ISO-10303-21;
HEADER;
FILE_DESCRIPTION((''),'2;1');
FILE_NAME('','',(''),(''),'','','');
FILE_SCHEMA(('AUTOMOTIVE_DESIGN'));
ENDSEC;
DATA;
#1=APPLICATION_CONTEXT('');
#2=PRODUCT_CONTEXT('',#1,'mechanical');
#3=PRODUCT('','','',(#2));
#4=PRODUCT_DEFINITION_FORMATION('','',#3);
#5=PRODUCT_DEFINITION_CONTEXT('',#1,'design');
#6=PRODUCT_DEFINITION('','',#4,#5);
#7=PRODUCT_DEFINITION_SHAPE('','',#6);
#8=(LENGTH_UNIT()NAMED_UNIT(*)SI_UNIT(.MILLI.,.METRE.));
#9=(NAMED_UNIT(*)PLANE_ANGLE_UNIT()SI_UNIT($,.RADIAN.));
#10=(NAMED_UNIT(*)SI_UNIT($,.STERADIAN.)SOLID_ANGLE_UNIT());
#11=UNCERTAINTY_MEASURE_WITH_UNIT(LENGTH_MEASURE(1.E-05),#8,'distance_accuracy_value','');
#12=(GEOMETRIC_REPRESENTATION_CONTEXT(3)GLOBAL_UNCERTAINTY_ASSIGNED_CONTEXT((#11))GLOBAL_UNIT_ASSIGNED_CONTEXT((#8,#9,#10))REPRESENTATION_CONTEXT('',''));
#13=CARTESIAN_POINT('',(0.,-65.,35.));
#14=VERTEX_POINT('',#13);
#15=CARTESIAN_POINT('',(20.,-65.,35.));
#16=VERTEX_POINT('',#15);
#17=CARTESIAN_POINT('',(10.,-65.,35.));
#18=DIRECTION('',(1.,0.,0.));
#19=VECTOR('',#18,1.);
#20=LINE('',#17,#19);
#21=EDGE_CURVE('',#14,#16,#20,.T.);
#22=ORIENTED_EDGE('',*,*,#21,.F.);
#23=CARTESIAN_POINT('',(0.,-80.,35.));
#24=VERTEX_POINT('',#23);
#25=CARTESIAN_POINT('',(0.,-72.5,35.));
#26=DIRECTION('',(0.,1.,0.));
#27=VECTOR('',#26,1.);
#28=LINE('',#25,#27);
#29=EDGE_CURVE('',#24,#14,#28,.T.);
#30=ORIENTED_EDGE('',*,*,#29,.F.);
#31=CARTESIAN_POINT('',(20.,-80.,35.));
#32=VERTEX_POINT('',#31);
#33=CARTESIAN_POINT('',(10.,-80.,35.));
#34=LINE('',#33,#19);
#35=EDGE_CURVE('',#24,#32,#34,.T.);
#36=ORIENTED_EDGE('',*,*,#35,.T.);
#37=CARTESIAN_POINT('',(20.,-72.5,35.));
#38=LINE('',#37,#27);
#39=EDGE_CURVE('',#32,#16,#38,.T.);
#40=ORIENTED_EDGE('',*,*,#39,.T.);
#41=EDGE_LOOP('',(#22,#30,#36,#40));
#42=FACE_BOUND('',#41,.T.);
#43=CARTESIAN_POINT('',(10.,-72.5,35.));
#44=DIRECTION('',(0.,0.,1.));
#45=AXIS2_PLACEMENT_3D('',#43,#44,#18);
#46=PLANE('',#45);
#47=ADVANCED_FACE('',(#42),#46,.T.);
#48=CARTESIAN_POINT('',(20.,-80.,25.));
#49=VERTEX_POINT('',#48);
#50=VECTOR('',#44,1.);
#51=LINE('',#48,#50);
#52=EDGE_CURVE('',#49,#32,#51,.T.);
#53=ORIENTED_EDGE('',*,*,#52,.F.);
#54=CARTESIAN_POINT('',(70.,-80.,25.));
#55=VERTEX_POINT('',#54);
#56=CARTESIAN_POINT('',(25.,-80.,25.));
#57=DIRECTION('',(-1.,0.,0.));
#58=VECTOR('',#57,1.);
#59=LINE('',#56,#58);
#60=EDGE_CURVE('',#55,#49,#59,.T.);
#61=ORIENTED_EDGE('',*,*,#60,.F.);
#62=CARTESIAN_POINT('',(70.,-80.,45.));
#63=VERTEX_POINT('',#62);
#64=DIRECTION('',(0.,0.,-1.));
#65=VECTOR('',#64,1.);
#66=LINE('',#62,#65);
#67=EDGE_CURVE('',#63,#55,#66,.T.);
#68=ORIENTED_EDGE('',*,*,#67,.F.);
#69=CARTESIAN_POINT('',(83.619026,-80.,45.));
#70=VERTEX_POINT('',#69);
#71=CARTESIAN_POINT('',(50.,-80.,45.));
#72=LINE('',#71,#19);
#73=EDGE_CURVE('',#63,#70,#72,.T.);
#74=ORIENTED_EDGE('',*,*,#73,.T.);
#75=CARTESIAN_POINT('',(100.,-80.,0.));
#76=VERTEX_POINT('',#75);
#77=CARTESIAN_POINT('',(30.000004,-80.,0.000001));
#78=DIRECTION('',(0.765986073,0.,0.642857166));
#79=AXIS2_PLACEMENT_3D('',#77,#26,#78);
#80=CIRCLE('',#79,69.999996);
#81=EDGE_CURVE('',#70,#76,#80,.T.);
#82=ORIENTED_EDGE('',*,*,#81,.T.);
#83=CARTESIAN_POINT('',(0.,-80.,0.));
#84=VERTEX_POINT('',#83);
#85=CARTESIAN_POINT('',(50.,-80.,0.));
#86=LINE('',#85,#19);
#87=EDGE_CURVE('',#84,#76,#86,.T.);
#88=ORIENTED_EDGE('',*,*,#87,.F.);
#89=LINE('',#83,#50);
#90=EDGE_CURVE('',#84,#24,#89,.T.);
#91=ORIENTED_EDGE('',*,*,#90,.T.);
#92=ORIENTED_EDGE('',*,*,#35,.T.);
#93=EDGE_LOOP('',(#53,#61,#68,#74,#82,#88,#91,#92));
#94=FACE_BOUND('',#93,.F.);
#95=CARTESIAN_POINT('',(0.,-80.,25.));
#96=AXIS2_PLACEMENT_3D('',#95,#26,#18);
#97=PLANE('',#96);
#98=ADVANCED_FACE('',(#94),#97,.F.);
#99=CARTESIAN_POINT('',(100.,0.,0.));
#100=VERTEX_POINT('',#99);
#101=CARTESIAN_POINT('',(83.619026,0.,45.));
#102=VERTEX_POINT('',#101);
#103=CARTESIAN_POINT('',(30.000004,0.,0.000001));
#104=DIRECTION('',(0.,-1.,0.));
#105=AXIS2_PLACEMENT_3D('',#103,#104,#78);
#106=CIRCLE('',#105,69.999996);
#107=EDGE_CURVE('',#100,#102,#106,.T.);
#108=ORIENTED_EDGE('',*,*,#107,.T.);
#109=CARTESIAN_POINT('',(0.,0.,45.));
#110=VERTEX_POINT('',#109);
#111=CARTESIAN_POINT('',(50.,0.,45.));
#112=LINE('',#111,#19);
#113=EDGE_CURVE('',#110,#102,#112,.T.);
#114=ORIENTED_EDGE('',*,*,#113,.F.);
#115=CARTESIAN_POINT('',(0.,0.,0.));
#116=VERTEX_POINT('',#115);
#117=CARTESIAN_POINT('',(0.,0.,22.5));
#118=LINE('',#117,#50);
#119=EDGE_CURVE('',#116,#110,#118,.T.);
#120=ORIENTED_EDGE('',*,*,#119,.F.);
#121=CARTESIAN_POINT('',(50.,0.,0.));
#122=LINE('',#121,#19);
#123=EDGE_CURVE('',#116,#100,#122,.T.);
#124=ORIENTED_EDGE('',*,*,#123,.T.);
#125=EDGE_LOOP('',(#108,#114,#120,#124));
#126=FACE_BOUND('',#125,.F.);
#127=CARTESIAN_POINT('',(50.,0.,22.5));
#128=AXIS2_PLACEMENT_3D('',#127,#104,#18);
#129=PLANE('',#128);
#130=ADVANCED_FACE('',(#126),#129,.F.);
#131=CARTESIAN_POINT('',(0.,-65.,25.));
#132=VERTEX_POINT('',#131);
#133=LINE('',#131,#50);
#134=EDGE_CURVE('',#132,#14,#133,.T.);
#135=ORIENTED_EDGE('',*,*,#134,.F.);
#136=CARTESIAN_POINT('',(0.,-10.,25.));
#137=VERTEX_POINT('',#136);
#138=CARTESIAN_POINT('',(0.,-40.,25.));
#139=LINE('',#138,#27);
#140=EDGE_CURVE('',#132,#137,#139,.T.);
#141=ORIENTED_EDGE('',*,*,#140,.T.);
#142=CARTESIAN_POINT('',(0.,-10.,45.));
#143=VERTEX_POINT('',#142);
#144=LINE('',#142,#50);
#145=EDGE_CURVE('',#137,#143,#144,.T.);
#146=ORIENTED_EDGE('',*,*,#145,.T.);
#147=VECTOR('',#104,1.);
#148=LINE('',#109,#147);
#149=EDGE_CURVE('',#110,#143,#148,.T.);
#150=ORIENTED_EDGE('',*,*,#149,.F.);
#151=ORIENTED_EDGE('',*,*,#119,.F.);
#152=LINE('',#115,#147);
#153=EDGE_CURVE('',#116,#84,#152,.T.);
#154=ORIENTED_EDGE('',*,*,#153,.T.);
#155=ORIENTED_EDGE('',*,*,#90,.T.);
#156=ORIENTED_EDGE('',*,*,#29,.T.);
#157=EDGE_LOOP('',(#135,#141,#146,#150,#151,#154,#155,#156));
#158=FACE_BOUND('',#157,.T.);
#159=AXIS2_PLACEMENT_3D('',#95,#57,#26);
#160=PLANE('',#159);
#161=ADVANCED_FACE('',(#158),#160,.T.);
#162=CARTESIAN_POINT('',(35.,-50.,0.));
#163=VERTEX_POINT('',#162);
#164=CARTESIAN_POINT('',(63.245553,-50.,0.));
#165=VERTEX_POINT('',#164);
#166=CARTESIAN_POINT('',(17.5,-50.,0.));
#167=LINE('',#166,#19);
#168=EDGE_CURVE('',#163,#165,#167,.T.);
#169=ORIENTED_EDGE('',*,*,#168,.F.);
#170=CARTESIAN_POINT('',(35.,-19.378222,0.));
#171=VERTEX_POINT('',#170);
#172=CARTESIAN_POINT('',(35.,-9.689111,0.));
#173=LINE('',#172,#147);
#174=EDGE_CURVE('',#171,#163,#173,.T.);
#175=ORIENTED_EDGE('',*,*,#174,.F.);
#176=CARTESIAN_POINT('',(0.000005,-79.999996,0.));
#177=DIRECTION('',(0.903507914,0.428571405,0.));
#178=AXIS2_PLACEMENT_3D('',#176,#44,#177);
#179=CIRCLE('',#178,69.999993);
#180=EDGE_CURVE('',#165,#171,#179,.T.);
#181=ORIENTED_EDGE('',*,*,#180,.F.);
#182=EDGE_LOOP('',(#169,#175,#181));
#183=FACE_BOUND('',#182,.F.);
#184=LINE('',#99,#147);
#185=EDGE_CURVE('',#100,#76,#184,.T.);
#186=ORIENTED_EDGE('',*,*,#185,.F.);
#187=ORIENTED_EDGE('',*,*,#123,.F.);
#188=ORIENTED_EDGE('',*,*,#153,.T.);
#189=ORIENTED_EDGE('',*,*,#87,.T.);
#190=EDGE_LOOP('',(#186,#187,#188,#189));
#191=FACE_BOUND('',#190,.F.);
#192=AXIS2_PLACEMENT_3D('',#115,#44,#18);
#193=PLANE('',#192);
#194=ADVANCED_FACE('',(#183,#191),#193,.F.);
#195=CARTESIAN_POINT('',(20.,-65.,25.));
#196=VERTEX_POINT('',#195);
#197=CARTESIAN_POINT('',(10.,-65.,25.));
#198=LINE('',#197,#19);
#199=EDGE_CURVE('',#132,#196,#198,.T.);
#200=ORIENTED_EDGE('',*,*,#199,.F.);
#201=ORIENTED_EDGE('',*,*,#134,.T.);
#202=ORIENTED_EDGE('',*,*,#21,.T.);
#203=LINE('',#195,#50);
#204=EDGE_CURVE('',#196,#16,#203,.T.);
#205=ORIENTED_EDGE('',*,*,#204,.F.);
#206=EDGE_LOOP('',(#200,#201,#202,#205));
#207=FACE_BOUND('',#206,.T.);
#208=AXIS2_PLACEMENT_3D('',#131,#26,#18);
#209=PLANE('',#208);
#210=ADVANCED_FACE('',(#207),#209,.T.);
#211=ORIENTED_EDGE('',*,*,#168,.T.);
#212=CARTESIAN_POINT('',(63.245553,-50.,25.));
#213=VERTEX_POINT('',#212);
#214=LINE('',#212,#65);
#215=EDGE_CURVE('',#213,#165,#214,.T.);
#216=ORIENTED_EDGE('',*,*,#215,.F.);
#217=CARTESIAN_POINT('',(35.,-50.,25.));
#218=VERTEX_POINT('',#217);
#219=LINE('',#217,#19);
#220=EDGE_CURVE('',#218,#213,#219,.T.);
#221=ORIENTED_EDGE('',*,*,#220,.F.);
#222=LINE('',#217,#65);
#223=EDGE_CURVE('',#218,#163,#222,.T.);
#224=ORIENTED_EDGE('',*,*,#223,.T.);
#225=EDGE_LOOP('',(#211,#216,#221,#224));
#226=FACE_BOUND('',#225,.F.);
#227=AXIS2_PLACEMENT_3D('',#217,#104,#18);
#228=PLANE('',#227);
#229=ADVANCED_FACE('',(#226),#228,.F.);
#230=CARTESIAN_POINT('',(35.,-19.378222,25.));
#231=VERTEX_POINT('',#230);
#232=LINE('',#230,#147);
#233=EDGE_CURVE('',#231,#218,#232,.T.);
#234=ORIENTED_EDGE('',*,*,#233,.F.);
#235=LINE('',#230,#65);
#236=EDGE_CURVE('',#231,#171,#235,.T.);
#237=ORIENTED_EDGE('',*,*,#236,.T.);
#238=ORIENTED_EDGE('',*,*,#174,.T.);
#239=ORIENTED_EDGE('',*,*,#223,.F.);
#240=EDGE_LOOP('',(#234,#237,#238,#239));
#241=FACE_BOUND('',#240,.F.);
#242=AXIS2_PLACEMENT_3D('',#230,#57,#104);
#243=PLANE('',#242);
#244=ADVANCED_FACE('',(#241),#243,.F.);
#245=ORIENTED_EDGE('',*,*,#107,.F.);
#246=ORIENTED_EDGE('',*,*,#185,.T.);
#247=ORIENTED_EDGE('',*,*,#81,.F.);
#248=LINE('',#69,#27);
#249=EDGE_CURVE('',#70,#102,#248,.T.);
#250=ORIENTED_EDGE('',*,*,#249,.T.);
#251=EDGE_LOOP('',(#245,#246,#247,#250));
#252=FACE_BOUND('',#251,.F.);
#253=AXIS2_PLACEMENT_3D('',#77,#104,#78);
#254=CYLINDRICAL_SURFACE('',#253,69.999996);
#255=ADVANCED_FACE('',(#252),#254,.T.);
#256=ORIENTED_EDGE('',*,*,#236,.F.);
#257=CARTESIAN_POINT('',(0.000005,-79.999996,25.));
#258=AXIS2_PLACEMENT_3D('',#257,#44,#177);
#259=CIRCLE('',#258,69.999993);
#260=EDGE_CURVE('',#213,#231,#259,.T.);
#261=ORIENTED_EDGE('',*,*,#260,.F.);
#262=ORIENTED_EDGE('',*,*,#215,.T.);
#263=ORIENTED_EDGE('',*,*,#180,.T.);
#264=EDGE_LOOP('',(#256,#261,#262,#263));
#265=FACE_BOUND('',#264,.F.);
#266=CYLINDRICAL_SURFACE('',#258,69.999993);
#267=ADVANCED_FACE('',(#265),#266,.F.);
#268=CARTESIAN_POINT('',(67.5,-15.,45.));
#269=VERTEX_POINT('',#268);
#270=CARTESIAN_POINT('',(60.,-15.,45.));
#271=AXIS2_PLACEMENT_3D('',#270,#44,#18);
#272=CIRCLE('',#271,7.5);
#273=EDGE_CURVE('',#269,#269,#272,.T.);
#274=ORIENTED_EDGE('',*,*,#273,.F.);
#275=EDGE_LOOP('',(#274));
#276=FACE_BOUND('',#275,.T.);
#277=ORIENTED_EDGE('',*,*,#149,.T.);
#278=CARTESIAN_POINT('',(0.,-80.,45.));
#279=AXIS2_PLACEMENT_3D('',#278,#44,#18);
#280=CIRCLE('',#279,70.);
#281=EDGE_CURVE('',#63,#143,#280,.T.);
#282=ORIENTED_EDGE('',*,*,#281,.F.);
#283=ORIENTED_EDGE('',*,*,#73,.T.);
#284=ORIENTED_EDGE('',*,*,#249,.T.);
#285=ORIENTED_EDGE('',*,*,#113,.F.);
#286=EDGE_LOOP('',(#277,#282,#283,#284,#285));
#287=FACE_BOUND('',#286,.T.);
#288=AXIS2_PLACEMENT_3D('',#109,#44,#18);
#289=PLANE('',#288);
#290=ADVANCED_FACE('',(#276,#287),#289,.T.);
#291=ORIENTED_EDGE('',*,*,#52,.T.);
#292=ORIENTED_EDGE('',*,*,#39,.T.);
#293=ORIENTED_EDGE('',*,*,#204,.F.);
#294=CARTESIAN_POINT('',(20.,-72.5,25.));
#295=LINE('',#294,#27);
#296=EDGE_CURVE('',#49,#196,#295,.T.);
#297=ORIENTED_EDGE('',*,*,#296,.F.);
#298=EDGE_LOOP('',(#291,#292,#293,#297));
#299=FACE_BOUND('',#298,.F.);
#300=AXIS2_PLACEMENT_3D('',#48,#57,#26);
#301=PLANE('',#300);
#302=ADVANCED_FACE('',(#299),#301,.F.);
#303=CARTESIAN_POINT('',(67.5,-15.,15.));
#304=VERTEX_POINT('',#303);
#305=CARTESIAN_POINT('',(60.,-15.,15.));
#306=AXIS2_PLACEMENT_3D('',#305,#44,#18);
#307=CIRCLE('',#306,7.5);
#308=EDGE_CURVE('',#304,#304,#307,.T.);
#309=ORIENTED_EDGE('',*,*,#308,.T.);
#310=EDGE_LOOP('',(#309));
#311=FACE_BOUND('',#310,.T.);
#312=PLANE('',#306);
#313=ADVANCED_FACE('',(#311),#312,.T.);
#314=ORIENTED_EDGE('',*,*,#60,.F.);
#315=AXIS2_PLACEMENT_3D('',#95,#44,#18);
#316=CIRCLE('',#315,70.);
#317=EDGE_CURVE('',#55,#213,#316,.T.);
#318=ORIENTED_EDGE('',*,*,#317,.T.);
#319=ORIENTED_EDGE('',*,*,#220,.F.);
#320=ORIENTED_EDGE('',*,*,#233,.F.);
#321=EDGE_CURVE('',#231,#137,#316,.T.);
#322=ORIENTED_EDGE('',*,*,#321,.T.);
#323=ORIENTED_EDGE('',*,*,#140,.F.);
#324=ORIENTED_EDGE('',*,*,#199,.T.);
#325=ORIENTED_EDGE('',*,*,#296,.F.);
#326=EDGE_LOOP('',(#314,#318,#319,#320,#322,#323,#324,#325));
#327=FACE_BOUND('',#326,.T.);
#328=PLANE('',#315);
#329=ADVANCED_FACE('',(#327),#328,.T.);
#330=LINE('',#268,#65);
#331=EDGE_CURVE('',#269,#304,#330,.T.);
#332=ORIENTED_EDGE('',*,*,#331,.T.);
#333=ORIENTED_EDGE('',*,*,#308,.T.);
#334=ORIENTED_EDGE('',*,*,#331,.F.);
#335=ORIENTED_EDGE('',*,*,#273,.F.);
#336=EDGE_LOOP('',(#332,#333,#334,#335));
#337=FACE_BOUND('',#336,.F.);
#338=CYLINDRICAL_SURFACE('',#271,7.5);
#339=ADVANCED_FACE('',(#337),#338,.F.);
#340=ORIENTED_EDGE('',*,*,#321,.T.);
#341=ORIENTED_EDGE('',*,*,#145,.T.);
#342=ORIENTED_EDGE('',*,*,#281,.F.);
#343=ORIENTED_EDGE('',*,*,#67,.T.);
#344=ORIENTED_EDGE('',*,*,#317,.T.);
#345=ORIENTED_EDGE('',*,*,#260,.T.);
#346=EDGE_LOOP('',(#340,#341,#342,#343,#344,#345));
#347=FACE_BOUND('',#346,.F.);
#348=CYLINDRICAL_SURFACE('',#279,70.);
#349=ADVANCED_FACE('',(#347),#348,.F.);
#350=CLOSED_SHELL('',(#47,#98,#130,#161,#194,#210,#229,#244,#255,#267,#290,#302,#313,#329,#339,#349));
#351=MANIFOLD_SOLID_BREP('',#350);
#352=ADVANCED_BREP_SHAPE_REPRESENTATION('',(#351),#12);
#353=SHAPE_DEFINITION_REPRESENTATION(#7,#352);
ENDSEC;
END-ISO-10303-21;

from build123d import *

# Parameters (mm, degrees)
F0_W      = 100
F0_H      = 45
F1_DEPTH  = 80
F2_R      = 70
F3_DEPTH  = 20
F5_DEPTH  = 25.001
F6_W      = 20
F6_H      = 15
F7_DEPTH  = 10
F8_R      = 7.5
F9_DEPTH  = 30
F11_DEPTH = 80.001


with BuildPart() as f1:
    # F0 (on Front) → F1 (new body)
    with BuildSketch(Plane.XZ):
        with Locations((50, 22.5)):
            Rectangle(F0_W, F0_H)
    extrude(amount=F1_DEPTH)

    # F2 (on face) → F3 (cut)
    with BuildSketch(Plane.XY.offset(45)):
        with Locations((0, -80)):
            Circle(F2_R)
    extrude(amount=-F3_DEPTH, mode=Mode.SUBTRACT)

    # F4 (on face) → F5 (cut, through all)
    with BuildSketch(Plane.XY.offset(25)):
        with BuildLine():
            ThreePointArc((63.245553, -50), (51.453576, -32.539179), (35, -19.378222))
            Line((35, -19.378222), (35, -50))
            Line((35, -50), (63.245553, -50))
        make_face()
    extrude(amount=-F5_DEPTH, mode=Mode.SUBTRACT)

    # F6 (on face) → F7 (join)
    with BuildSketch(Plane.XY.offset(25)):
        with Locations((10, -72.5)):
            Rectangle(F6_W, F6_H)
    extrude(amount=F7_DEPTH)

    # F8 (on face) → F9 (cut)
    with BuildSketch(Plane.XY.offset(45)):
        with Locations((60, -15)):
            Circle(F8_R)
    extrude(amount=-F9_DEPTH, mode=Mode.SUBTRACT)

    # F10 (on face) → F11 (cut, through all)
    with BuildSketch(Plane.XZ.offset(80)):
        with BuildLine():
            ThreePointArc((83.619026, 45), (95.777397, 23.944395), (100, 0))
            Line((100, 0), (100, 45))
            Line((100, 45), (83.619026, 45))
        make_face()
    extrude(amount=-F11_DEPTH, mode=Mode.SUBTRACT)


solid = f1.part
